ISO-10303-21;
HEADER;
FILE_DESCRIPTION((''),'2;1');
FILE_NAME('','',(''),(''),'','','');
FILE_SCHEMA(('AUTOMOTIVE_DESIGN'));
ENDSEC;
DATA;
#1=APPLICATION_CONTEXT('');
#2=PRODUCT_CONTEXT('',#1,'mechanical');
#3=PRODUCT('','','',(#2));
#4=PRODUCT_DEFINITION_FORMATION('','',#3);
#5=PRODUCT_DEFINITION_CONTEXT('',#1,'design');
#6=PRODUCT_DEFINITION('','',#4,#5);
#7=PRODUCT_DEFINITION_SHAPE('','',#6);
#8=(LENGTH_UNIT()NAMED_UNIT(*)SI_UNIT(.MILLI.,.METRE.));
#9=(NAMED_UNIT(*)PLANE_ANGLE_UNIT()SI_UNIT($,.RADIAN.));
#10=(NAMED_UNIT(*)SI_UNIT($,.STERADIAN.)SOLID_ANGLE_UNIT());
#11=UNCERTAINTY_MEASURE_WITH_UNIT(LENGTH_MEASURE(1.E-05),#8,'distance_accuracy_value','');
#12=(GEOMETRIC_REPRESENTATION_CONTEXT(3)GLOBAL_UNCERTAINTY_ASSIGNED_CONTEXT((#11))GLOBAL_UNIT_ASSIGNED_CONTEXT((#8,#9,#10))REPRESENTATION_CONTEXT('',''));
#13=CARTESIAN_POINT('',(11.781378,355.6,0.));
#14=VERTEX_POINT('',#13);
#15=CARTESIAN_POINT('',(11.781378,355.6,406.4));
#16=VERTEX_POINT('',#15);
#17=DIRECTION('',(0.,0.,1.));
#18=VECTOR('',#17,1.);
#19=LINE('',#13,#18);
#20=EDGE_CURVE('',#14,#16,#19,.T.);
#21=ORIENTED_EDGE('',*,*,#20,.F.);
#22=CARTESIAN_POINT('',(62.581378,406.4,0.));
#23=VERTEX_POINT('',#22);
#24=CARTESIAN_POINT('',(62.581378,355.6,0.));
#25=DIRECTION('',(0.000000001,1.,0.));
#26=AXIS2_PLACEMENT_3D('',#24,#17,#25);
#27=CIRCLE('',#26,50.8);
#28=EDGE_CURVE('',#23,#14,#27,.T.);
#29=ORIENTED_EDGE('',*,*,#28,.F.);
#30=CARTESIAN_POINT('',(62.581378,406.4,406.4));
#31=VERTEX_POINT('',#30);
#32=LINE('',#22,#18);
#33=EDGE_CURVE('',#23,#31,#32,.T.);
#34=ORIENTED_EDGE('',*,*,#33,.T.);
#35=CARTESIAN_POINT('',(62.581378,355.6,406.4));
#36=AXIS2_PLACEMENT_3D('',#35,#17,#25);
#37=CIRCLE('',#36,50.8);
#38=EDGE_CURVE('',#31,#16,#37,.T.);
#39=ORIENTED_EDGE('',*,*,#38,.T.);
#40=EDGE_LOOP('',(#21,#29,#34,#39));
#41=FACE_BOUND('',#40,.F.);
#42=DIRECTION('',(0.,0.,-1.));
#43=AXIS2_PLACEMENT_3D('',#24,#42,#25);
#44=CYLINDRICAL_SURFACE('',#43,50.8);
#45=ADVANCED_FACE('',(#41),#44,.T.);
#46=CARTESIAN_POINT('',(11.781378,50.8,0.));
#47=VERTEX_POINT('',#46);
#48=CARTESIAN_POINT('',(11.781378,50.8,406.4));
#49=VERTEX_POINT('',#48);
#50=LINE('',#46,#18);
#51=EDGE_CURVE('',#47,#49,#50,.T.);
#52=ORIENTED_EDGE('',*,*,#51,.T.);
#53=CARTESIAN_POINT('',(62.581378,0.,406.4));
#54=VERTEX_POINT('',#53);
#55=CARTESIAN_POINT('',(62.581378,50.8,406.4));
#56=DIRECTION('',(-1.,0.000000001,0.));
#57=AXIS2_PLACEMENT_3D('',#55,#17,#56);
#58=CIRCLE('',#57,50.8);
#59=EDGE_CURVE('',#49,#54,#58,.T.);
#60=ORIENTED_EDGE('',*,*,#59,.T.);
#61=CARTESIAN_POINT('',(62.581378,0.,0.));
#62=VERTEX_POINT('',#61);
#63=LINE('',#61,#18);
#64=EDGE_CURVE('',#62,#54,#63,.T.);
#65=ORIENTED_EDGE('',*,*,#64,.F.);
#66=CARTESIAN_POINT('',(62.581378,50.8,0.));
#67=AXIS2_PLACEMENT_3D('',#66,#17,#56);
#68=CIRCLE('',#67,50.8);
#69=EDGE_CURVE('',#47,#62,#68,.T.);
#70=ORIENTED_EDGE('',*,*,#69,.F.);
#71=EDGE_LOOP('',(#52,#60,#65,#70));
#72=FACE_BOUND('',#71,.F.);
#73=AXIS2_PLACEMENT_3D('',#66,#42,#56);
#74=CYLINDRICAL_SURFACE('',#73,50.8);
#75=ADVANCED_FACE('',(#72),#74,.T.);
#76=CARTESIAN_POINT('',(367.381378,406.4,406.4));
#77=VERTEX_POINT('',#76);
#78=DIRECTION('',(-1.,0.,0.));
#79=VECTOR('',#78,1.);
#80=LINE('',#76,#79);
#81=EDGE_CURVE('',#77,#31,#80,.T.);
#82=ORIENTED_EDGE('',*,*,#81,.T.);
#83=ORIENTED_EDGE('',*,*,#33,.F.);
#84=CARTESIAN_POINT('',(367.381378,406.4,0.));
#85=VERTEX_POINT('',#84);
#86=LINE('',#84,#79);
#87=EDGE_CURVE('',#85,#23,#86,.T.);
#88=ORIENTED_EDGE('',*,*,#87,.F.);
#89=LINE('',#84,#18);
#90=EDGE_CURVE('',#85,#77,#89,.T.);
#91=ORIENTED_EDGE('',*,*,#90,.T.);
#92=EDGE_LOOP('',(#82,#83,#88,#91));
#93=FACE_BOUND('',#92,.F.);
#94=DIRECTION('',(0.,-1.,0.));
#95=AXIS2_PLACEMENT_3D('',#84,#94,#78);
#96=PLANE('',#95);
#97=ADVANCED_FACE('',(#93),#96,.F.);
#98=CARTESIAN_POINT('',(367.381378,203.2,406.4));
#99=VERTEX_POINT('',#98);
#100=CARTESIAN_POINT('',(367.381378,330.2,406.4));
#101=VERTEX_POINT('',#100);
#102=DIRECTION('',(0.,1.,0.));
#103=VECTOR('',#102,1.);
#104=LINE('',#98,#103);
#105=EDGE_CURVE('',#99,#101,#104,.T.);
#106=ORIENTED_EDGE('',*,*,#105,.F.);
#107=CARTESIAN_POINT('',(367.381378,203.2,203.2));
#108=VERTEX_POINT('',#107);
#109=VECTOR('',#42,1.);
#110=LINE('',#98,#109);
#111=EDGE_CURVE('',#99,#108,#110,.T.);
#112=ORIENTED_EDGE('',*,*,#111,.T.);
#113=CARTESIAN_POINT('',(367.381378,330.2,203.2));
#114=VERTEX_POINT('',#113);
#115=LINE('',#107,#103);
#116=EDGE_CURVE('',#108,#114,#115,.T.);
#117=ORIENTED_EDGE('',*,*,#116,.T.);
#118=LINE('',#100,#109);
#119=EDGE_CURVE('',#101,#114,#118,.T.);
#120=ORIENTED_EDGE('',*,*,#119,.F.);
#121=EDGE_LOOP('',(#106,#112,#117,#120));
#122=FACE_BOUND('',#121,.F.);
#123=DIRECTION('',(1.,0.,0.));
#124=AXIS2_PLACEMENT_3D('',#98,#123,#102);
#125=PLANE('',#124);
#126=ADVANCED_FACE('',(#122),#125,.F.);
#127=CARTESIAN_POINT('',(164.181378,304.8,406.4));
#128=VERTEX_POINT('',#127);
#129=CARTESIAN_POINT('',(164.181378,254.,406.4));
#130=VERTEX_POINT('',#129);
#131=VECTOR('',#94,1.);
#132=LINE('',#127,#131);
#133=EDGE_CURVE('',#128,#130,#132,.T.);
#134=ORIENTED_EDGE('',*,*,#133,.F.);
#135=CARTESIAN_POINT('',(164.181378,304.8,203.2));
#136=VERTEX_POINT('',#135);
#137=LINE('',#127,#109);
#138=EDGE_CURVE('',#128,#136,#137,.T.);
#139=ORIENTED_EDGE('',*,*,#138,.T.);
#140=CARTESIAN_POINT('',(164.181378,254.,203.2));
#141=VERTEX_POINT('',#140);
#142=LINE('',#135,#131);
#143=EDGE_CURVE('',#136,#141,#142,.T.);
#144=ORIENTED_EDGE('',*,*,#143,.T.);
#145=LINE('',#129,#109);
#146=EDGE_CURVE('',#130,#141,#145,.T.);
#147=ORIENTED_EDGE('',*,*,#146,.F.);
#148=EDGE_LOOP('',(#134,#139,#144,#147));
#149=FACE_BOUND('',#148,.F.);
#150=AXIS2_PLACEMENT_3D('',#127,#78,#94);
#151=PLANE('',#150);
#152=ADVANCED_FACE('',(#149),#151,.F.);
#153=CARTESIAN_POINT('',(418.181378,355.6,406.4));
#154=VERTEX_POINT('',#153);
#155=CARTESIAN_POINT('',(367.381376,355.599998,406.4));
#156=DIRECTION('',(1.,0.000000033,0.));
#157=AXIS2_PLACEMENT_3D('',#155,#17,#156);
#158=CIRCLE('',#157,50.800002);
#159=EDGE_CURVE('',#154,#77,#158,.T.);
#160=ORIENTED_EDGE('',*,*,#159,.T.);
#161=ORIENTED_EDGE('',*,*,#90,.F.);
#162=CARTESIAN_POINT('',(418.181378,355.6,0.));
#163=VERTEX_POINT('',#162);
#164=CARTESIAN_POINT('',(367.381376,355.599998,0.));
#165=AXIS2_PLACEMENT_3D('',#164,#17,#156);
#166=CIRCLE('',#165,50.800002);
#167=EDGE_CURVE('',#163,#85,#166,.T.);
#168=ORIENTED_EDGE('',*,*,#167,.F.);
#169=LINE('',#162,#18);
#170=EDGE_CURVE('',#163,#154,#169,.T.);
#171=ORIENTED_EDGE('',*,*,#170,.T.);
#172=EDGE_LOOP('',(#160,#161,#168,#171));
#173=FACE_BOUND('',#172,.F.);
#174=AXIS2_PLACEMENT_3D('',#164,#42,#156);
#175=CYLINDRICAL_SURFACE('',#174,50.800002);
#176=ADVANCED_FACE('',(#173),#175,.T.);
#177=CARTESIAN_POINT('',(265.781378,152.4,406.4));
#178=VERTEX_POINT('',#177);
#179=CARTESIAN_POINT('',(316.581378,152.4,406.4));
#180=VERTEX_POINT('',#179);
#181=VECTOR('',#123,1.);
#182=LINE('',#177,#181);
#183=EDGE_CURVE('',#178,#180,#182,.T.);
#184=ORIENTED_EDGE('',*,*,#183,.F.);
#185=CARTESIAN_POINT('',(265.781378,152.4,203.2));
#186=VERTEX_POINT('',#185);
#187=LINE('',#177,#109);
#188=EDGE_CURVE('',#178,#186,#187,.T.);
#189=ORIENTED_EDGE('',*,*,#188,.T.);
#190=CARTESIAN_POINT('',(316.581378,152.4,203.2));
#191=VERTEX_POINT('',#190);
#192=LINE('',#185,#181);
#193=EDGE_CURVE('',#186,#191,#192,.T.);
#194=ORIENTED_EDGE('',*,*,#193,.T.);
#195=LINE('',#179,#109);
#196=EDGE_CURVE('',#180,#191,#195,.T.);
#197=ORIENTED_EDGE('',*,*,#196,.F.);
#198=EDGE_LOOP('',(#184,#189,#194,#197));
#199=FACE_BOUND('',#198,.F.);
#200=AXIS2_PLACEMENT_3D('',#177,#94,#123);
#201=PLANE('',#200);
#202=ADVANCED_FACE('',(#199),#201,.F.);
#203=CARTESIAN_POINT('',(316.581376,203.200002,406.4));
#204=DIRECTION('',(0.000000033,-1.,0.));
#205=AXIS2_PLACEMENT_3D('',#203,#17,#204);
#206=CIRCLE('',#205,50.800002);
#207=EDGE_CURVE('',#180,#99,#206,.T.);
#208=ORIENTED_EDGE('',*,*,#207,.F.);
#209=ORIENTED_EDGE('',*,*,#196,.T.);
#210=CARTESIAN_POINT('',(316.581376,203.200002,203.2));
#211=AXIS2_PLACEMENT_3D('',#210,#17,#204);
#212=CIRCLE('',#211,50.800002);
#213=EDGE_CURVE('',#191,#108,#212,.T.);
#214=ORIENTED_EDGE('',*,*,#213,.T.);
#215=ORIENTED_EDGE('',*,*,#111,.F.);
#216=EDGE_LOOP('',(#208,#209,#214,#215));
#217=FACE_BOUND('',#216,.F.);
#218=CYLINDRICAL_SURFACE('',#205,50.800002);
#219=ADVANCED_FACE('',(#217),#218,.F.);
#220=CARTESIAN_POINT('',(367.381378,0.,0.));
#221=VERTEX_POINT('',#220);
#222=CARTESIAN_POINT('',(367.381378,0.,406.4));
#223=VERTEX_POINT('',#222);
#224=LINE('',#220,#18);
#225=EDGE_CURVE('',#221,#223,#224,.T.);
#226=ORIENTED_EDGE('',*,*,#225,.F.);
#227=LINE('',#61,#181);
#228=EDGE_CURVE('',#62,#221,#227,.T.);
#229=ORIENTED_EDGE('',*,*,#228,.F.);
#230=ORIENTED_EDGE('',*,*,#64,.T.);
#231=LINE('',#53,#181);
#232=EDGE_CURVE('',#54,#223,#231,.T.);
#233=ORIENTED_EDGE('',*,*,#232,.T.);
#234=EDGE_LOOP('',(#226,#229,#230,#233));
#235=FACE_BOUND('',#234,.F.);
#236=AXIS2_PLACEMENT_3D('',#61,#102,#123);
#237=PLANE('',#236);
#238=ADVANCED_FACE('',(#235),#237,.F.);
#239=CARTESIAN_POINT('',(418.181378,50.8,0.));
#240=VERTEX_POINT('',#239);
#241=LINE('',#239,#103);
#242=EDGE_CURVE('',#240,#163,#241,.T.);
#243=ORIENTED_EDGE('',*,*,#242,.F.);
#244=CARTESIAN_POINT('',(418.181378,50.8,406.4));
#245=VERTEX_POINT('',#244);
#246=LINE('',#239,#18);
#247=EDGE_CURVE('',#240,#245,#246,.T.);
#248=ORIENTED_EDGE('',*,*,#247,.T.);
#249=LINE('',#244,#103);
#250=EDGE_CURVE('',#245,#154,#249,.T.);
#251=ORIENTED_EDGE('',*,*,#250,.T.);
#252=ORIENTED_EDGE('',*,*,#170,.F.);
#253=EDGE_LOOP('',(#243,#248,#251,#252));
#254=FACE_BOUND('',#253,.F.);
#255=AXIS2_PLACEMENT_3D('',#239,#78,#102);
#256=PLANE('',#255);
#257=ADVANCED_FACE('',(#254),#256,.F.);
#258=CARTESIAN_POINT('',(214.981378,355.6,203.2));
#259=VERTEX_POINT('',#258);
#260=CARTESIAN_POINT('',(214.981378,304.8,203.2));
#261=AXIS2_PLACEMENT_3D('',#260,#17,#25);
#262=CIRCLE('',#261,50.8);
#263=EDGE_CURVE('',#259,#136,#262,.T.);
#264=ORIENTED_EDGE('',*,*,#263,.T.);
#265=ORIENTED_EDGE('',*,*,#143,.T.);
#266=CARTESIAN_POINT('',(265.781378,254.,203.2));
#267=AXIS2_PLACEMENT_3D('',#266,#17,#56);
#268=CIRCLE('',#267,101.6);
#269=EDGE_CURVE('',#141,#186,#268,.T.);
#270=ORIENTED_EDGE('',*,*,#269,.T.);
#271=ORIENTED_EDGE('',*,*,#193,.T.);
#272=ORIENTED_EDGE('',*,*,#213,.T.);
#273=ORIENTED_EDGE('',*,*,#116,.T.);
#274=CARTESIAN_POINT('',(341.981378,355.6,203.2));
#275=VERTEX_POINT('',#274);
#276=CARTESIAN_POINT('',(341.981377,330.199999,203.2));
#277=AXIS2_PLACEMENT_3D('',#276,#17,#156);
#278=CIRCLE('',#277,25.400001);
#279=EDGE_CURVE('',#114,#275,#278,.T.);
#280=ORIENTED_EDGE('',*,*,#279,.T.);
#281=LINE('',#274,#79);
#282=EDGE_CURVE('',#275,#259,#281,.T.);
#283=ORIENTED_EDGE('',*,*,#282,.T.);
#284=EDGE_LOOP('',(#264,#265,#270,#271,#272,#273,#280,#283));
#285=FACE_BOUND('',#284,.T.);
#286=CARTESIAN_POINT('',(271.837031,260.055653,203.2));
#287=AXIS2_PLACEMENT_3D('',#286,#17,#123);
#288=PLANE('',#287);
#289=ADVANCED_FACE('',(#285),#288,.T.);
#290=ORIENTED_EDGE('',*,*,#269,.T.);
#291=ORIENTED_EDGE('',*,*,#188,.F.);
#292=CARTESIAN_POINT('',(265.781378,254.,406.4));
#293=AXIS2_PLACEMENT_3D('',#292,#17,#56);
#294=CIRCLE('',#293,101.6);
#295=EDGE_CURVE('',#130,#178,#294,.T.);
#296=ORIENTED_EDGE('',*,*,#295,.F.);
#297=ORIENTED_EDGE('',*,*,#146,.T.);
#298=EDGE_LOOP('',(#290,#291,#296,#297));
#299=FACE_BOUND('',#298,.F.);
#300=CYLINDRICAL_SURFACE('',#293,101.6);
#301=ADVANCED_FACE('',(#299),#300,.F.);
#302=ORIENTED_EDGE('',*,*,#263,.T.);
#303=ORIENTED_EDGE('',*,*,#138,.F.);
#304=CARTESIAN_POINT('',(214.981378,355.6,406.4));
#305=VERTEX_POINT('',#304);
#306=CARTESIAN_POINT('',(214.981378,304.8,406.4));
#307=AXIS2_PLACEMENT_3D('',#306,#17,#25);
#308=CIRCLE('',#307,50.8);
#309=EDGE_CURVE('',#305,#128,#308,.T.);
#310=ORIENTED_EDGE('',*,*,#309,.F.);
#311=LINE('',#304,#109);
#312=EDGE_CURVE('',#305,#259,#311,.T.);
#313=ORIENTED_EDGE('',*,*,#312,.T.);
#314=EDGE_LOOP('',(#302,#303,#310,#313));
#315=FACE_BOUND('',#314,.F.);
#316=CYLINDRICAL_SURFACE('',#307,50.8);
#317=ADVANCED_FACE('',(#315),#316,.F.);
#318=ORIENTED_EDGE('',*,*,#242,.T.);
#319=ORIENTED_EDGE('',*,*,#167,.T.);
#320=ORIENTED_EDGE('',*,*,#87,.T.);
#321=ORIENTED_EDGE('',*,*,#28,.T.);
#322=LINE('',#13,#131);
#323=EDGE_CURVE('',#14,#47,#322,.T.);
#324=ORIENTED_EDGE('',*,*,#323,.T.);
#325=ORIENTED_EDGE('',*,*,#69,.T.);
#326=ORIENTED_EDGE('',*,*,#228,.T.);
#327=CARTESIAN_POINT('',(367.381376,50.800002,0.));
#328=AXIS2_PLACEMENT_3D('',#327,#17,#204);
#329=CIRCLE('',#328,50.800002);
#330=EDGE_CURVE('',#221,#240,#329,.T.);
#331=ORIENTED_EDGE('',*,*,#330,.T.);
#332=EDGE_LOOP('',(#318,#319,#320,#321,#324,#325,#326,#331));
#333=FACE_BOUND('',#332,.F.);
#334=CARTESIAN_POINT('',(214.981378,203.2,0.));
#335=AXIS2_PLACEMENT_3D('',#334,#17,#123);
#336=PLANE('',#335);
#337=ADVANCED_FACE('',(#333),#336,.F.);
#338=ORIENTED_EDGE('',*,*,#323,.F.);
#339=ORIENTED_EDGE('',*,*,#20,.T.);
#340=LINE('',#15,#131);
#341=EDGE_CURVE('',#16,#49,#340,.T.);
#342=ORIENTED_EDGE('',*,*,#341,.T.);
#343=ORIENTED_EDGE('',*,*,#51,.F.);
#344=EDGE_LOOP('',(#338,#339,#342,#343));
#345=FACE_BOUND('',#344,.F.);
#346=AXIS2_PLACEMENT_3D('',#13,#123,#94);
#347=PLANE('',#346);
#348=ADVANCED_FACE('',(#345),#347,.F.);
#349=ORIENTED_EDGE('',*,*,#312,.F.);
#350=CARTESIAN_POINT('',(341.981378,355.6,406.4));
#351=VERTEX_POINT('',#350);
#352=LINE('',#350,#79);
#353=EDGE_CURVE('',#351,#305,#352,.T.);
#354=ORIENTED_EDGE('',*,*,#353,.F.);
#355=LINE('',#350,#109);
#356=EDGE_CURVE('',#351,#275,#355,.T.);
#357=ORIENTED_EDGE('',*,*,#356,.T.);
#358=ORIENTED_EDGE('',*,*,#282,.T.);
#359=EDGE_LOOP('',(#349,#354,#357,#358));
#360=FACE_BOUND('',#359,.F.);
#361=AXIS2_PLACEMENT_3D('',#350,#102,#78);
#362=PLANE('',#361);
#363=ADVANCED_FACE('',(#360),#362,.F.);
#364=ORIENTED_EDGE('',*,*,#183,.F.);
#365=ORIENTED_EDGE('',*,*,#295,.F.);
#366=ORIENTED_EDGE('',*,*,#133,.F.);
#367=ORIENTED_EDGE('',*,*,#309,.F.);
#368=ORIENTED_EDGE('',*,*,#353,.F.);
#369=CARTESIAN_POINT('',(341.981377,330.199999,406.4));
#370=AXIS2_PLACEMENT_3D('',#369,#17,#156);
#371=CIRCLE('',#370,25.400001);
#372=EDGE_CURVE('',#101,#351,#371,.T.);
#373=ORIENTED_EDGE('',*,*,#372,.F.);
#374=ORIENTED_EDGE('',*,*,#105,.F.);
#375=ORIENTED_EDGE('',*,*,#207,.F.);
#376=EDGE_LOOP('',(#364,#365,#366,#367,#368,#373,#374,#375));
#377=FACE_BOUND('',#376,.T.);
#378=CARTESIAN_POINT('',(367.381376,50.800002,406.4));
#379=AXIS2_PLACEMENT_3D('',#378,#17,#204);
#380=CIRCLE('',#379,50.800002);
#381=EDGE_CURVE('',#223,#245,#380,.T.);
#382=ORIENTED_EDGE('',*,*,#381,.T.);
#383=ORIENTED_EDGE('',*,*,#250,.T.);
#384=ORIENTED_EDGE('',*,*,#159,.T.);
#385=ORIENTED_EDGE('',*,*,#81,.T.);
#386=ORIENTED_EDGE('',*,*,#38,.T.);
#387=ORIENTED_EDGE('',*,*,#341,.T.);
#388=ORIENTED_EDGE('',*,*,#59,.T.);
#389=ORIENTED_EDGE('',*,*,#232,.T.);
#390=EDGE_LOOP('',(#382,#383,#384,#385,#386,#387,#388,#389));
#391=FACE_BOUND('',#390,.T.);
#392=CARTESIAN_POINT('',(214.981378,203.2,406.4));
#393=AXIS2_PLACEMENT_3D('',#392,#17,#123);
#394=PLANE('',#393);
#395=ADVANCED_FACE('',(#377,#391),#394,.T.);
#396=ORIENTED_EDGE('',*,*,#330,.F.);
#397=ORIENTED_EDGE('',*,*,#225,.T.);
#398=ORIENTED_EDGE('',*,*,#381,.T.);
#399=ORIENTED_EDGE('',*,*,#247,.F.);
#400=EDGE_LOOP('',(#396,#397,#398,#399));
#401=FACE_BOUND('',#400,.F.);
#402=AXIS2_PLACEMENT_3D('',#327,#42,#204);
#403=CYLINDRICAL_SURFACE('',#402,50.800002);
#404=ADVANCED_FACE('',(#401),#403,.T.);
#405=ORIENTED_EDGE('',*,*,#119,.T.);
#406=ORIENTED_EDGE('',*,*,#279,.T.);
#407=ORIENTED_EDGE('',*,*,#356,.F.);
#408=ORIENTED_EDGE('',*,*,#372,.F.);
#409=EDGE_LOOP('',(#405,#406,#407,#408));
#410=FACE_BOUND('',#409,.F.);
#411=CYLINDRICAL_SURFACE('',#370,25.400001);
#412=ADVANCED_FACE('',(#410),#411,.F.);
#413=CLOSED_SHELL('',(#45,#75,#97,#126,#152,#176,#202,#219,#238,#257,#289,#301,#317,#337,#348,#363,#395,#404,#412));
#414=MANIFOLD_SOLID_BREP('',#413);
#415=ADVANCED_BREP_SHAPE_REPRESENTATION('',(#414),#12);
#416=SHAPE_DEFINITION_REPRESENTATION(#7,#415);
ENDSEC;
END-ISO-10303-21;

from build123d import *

# Parameters (mm, degrees)
F1_DEPTH = 406.4
F3_DEPTH = 203.2


with BuildPart() as f1:
    # F0 (on Top) → F1 (new body)
    with BuildSketch(Plane.XY):
        with BuildLine():
            ThreePointArc((11.781378, 50.8), (26.660353, 14.878976), (62.581378, 0))
            Line((62.581378, 0), (367.381378, 0))
            ThreePointArc((367.381378, 0), (403.302402, 14.878976), (418.181378, 50.8))
            Line((418.181378, 50.8), (418.181378, 355.6))
            ThreePointArc((418.181378, 355.6), (403.302402, 391.521024), (367.381378, 406.4))
            Line((367.381378, 406.4), (62.581378, 406.4))
            ThreePointArc((62.581378, 406.4), (26.660353, 391.521024), (11.781378, 355.6))
            Line((11.781378, 355.6), (11.781378, 50.8))
        make_face()
    extrude(amount=F1_DEPTH)

    # F2 (on face) → F3 (cut)
    with BuildSketch(Plane.XY.offset(406.4)):
        with BuildLine():
            ThreePointArc((367.381378, 330.2), (359.94189, 348.160512), (341.981378, 355.6))
            Line((341.981378, 355.6), (214.981378, 355.6))
            ThreePointArc((214.981378, 355.6), (179.060353, 340.721024), (164.181378, 304.8))
            Line((164.181378, 304.8), (164.181378, 254))
            ThreePointArc((164.181378, 254), (193.939329, 182.157951), (265.781378, 152.4))
            Line((265.781378, 152.4), (316.581378, 152.4))
            ThreePointArc((316.581378, 152.4), (352.502402, 167.278976), (367.381378, 203.2))
            Line((367.381378, 203.2), (367.381378, 330.2))
        make_face()
    extrude(amount=-F3_DEPTH, mode=Mode.SUBTRACT)


solid = f1.part
